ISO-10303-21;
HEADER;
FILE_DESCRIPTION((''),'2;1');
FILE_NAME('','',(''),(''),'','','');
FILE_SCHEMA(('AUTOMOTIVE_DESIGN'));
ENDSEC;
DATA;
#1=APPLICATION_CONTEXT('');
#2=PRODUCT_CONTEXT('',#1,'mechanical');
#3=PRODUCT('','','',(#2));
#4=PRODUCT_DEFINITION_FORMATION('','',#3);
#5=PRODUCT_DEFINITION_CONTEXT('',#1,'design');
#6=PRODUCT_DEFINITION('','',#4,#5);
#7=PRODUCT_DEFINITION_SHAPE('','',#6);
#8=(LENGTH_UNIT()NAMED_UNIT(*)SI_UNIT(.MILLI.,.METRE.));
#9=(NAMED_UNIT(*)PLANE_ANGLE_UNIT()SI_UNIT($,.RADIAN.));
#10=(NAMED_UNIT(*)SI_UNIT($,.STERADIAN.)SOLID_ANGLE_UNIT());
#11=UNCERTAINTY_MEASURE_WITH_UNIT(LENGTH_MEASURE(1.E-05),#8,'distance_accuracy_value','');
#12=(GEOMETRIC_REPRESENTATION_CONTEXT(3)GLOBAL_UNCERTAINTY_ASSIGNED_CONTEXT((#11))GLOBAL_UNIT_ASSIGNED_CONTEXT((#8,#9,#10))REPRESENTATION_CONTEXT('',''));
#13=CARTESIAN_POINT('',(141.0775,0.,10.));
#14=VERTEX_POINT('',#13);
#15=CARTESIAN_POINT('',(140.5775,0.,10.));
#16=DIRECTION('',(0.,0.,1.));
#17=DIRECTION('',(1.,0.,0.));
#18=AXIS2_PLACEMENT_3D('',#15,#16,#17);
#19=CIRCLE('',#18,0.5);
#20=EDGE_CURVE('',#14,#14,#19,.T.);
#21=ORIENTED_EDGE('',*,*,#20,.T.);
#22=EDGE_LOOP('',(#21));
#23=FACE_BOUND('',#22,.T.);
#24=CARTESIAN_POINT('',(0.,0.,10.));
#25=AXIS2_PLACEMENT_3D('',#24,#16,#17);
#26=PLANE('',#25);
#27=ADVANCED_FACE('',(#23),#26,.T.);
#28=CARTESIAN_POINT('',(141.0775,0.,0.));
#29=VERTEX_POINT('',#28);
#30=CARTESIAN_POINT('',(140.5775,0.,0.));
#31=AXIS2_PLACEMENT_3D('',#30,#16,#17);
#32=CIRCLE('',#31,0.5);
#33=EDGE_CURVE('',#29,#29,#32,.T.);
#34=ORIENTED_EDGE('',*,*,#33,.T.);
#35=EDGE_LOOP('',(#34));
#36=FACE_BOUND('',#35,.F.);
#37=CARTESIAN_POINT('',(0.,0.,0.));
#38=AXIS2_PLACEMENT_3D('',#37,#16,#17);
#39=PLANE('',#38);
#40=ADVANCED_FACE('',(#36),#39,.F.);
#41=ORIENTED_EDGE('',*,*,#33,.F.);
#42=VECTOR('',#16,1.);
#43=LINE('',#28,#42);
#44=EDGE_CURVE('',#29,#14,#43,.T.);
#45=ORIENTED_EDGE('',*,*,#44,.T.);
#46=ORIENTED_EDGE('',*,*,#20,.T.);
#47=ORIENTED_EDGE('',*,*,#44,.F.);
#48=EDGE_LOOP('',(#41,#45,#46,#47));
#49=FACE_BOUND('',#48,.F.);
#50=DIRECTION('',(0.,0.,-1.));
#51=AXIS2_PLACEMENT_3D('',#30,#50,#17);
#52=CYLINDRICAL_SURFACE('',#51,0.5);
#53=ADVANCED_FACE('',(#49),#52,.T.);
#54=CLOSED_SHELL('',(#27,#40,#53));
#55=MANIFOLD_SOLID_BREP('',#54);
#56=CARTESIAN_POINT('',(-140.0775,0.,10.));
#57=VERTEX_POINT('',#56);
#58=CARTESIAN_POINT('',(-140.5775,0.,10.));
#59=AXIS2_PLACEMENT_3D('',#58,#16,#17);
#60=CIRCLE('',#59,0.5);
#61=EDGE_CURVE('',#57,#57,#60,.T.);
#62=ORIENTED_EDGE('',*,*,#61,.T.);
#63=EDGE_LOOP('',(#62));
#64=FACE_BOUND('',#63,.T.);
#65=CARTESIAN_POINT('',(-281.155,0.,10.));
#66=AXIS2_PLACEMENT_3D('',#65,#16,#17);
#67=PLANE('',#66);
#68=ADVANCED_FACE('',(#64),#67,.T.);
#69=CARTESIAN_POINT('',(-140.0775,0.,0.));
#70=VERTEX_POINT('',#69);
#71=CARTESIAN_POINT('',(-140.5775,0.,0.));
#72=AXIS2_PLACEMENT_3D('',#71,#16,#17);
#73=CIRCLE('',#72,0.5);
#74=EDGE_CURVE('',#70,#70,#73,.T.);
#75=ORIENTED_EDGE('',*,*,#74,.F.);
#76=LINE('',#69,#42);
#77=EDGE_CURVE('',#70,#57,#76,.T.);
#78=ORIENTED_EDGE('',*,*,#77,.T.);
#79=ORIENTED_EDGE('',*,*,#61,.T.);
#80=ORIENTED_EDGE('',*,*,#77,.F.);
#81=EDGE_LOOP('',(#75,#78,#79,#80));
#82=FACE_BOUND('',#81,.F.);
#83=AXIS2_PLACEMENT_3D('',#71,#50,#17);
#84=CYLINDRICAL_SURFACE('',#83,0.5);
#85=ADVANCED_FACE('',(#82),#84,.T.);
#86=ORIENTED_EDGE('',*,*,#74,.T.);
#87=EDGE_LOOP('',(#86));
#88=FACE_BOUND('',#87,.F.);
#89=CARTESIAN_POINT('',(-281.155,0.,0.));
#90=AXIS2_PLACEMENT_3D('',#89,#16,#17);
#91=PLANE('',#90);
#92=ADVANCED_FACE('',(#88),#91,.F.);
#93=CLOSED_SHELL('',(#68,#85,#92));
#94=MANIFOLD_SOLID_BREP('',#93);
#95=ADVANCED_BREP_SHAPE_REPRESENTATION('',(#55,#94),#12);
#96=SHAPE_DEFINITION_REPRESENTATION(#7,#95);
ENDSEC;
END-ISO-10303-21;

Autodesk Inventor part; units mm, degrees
ref_plane "YZ Plane" through (0, 0, 0) normal (1, 0, 0) x (0, 1, 0)
ref_plane "XZ Plane" through (0, 0, 0) normal (0, 1, 0) x (-1, 0, 0)
ref_plane "XY Plane" through (0, 0, 0) normal (0, 0, 1) x (1, 0, 0)
sketch "Sketch1" plane through (0, 0, 0) normal (0, 0, 1) x (1, 0, 0)
  line L0 (-200.5775, -9.75) -> (200.5775, -9.75)
  line L1 (200.5775, -9.75) -> (200.5775, 9.75)
  line L2 (200.5775, 9.75) -> (-200.5775, 9.75)
  line L3 (-200.5775, 9.75) -> (-200.5775, -9.75)
  line L4 (-200.5775, -9.75) -> (200.5775, 9.75) construction
  line L5 (200.5775, -9.75) -> (-200.5775, 9.75) construction
  point P0 (0, 0)
  dimension "d0" = 401.155
  dimension "d1" = 19.5
sketch "Lamello" plane through (0, 0, 0) normal (0, 0, 1) x (1, 0, 0)
  line L0 (48.383, 141.1858) -> (42.783, 141.1858)
  line L1 (40.583, 139.6858) -> (40.583, 114.6858)
  line L2 (42.783, 113.1858) -> (48.383, 113.1858)
  line L3 (50.583, 114.6858) -> (50.583, 139.6858)
  line L4 (50.583, 139.6858) -> (48.383, 141.1858)
  line L5 (40.583, 139.6858) -> (42.783, 141.1858)
  line L6 (40.583, 114.6858) -> (42.783, 113.1858)
  line L7 (50.583, 114.6858) -> (48.383, 113.1858)
  line L8 (50.583, 127.1858) -> (40.583, 127.1858)
  line L9 (45.583, 141.1858) -> (45.583, 113.1858)
  point P0 (45.583, 127.1858)
  point P1 (50.583, 141.1858)
  point P2 (40.583, 113.1858)
  point P3 (40.583, 141.1858)
  point P4 (50.583, 113.1858)
  dimension "d54" = 10
  dimension "d55" = 28
  dimension "d56" = 1.5
  dimension "d57" = 2.2
  dimension "d58" = 1.5
  dimension "d59" = 2.2
  dimension "d60" = 1.5
  dimension "d61" = 2.2
  dimension "d62" = 1.5
  dimension "d63" = 2.2
sketch "Sketch2" plane through (0, 0, 0) normal (0, 0, 1) x (1, 0, 0)
  circle A0 centre (140.5775, 0) radius 0.5
  line L0 (200.5775, 9.75) -> (-200.5775, 9.75) projected
  line L1 (-200.5775, -9.75) -> (200.5775, -9.75) projected
  line L2 (0, -131.2) -> (0, 80.2) projected
  line L3 (200.5775, -9.75) -> (200.5775, 9.75) projected
  point P0 (0, 0)
  dimension "d4" = 1
  dimension "d50" = 9.75
  dimension "d70" = 60
extrude "Extrusion1" add sketch "Sketch2" along normal blind 10 contours A0
pattern_linear "Clamex Array" count 2 spacing 281.155 along (-1, 0, 0) of "Extrusion1"
sketch "Edge-Side Connection" plane through (0, 0, 0) normal (1, 0, 0) x (0, 1, 0)
  line L0 (-50, 0) -> (50, 0)
  line L1 (50, 0) -> (50, 19)
  line L2 (50, 19) -> (-50, 19)
  line L3 (-50, 19) -> (-50, 0)
  line L4 (-9.75, 0) -> (-9.75, -40)
  line L5 (-9.75, -40) -> (9.75, -40)
  line L6 (9.75, -40) -> (9.75, 0)
  line L7 (0, -14) -> (0, 14) construction
  line L8 (9.75, 0) -> (5, 0)
  line L9 (-5, -12.5) -> (-9.75, -12.5)
  point P0 (0, 0)
  point P1 (9.75, 0)
  point P2 (-9.75, 0)
  point P3 (0, 0)
  dimension "d26" = 100
  dimension "d27" = 19
  dimension "d28" = 40
  dimension "OtherSideRefYCoordinate" = 9.75
  dimension "ReferenceCoord" = 9.75
  dimension "d49" = 90
sketch "Edge-Edge Connection" plane through (0, 0, 0) normal (1, 0, 0) x (0, 1, 0)
  line L0 (-101, 19) -> (19, 19)
  line L1 (19, 19) -> (0, 0)
  line L2 (0, 0) -> (-101, 0)
  line L3 (-101, 0) -> (-101, 19)
  line L4 (19, 19) -> (19, -101)
  line L5 (0, 0) -> (0, -101)
  line L6 (0, -101) -> (19, -101)
  line L7 (1.28, 1.28) -> (0, 0)
  line L8 (-0.4878, 17.1899) -> (-0.4878, 19)
  point P0 (4.8155, 4.8155)
  dimension "d51" = 19
  dimension "d53" = 19
  dimension "EdgeEdgeReferenceCoord" = 6.8101
  dimension "d65" = 90
  dimension "d66" = 120
  dimension "d67" = 120
  dimension "EdgeEdgeOtherSideRefYCoordinate" = 20.0599
equation "\"d9\" = Step"
equation "\"d27\" = NestleBoardT"
equation "\"d0\" = ContactPatchWidth"
equation "\"d1\" = ContactPatchHeight"
equation "\"ContactPatchWidth\" = 401.155"
equation "\"ContactPatchHeight\" = 19.5"
equation "\"PlacingWidth\" = 281.155"
equation "\"MinDistBetween\" = 96"
equation "\"Step\" = 281.155"
equation "\"Y_Coord\" = 9.75"
equation "\"NestleBoardT\" = 19"
equation "\"PillarBoardT\" = 19"
equation "\"AngleForYPositionCalc\" = 90deg"
equation "\"ConnectionAngle\" = 90deg"
equation "\"ShiftY\" = 0"
properties part number "Clamex Joint11500"
